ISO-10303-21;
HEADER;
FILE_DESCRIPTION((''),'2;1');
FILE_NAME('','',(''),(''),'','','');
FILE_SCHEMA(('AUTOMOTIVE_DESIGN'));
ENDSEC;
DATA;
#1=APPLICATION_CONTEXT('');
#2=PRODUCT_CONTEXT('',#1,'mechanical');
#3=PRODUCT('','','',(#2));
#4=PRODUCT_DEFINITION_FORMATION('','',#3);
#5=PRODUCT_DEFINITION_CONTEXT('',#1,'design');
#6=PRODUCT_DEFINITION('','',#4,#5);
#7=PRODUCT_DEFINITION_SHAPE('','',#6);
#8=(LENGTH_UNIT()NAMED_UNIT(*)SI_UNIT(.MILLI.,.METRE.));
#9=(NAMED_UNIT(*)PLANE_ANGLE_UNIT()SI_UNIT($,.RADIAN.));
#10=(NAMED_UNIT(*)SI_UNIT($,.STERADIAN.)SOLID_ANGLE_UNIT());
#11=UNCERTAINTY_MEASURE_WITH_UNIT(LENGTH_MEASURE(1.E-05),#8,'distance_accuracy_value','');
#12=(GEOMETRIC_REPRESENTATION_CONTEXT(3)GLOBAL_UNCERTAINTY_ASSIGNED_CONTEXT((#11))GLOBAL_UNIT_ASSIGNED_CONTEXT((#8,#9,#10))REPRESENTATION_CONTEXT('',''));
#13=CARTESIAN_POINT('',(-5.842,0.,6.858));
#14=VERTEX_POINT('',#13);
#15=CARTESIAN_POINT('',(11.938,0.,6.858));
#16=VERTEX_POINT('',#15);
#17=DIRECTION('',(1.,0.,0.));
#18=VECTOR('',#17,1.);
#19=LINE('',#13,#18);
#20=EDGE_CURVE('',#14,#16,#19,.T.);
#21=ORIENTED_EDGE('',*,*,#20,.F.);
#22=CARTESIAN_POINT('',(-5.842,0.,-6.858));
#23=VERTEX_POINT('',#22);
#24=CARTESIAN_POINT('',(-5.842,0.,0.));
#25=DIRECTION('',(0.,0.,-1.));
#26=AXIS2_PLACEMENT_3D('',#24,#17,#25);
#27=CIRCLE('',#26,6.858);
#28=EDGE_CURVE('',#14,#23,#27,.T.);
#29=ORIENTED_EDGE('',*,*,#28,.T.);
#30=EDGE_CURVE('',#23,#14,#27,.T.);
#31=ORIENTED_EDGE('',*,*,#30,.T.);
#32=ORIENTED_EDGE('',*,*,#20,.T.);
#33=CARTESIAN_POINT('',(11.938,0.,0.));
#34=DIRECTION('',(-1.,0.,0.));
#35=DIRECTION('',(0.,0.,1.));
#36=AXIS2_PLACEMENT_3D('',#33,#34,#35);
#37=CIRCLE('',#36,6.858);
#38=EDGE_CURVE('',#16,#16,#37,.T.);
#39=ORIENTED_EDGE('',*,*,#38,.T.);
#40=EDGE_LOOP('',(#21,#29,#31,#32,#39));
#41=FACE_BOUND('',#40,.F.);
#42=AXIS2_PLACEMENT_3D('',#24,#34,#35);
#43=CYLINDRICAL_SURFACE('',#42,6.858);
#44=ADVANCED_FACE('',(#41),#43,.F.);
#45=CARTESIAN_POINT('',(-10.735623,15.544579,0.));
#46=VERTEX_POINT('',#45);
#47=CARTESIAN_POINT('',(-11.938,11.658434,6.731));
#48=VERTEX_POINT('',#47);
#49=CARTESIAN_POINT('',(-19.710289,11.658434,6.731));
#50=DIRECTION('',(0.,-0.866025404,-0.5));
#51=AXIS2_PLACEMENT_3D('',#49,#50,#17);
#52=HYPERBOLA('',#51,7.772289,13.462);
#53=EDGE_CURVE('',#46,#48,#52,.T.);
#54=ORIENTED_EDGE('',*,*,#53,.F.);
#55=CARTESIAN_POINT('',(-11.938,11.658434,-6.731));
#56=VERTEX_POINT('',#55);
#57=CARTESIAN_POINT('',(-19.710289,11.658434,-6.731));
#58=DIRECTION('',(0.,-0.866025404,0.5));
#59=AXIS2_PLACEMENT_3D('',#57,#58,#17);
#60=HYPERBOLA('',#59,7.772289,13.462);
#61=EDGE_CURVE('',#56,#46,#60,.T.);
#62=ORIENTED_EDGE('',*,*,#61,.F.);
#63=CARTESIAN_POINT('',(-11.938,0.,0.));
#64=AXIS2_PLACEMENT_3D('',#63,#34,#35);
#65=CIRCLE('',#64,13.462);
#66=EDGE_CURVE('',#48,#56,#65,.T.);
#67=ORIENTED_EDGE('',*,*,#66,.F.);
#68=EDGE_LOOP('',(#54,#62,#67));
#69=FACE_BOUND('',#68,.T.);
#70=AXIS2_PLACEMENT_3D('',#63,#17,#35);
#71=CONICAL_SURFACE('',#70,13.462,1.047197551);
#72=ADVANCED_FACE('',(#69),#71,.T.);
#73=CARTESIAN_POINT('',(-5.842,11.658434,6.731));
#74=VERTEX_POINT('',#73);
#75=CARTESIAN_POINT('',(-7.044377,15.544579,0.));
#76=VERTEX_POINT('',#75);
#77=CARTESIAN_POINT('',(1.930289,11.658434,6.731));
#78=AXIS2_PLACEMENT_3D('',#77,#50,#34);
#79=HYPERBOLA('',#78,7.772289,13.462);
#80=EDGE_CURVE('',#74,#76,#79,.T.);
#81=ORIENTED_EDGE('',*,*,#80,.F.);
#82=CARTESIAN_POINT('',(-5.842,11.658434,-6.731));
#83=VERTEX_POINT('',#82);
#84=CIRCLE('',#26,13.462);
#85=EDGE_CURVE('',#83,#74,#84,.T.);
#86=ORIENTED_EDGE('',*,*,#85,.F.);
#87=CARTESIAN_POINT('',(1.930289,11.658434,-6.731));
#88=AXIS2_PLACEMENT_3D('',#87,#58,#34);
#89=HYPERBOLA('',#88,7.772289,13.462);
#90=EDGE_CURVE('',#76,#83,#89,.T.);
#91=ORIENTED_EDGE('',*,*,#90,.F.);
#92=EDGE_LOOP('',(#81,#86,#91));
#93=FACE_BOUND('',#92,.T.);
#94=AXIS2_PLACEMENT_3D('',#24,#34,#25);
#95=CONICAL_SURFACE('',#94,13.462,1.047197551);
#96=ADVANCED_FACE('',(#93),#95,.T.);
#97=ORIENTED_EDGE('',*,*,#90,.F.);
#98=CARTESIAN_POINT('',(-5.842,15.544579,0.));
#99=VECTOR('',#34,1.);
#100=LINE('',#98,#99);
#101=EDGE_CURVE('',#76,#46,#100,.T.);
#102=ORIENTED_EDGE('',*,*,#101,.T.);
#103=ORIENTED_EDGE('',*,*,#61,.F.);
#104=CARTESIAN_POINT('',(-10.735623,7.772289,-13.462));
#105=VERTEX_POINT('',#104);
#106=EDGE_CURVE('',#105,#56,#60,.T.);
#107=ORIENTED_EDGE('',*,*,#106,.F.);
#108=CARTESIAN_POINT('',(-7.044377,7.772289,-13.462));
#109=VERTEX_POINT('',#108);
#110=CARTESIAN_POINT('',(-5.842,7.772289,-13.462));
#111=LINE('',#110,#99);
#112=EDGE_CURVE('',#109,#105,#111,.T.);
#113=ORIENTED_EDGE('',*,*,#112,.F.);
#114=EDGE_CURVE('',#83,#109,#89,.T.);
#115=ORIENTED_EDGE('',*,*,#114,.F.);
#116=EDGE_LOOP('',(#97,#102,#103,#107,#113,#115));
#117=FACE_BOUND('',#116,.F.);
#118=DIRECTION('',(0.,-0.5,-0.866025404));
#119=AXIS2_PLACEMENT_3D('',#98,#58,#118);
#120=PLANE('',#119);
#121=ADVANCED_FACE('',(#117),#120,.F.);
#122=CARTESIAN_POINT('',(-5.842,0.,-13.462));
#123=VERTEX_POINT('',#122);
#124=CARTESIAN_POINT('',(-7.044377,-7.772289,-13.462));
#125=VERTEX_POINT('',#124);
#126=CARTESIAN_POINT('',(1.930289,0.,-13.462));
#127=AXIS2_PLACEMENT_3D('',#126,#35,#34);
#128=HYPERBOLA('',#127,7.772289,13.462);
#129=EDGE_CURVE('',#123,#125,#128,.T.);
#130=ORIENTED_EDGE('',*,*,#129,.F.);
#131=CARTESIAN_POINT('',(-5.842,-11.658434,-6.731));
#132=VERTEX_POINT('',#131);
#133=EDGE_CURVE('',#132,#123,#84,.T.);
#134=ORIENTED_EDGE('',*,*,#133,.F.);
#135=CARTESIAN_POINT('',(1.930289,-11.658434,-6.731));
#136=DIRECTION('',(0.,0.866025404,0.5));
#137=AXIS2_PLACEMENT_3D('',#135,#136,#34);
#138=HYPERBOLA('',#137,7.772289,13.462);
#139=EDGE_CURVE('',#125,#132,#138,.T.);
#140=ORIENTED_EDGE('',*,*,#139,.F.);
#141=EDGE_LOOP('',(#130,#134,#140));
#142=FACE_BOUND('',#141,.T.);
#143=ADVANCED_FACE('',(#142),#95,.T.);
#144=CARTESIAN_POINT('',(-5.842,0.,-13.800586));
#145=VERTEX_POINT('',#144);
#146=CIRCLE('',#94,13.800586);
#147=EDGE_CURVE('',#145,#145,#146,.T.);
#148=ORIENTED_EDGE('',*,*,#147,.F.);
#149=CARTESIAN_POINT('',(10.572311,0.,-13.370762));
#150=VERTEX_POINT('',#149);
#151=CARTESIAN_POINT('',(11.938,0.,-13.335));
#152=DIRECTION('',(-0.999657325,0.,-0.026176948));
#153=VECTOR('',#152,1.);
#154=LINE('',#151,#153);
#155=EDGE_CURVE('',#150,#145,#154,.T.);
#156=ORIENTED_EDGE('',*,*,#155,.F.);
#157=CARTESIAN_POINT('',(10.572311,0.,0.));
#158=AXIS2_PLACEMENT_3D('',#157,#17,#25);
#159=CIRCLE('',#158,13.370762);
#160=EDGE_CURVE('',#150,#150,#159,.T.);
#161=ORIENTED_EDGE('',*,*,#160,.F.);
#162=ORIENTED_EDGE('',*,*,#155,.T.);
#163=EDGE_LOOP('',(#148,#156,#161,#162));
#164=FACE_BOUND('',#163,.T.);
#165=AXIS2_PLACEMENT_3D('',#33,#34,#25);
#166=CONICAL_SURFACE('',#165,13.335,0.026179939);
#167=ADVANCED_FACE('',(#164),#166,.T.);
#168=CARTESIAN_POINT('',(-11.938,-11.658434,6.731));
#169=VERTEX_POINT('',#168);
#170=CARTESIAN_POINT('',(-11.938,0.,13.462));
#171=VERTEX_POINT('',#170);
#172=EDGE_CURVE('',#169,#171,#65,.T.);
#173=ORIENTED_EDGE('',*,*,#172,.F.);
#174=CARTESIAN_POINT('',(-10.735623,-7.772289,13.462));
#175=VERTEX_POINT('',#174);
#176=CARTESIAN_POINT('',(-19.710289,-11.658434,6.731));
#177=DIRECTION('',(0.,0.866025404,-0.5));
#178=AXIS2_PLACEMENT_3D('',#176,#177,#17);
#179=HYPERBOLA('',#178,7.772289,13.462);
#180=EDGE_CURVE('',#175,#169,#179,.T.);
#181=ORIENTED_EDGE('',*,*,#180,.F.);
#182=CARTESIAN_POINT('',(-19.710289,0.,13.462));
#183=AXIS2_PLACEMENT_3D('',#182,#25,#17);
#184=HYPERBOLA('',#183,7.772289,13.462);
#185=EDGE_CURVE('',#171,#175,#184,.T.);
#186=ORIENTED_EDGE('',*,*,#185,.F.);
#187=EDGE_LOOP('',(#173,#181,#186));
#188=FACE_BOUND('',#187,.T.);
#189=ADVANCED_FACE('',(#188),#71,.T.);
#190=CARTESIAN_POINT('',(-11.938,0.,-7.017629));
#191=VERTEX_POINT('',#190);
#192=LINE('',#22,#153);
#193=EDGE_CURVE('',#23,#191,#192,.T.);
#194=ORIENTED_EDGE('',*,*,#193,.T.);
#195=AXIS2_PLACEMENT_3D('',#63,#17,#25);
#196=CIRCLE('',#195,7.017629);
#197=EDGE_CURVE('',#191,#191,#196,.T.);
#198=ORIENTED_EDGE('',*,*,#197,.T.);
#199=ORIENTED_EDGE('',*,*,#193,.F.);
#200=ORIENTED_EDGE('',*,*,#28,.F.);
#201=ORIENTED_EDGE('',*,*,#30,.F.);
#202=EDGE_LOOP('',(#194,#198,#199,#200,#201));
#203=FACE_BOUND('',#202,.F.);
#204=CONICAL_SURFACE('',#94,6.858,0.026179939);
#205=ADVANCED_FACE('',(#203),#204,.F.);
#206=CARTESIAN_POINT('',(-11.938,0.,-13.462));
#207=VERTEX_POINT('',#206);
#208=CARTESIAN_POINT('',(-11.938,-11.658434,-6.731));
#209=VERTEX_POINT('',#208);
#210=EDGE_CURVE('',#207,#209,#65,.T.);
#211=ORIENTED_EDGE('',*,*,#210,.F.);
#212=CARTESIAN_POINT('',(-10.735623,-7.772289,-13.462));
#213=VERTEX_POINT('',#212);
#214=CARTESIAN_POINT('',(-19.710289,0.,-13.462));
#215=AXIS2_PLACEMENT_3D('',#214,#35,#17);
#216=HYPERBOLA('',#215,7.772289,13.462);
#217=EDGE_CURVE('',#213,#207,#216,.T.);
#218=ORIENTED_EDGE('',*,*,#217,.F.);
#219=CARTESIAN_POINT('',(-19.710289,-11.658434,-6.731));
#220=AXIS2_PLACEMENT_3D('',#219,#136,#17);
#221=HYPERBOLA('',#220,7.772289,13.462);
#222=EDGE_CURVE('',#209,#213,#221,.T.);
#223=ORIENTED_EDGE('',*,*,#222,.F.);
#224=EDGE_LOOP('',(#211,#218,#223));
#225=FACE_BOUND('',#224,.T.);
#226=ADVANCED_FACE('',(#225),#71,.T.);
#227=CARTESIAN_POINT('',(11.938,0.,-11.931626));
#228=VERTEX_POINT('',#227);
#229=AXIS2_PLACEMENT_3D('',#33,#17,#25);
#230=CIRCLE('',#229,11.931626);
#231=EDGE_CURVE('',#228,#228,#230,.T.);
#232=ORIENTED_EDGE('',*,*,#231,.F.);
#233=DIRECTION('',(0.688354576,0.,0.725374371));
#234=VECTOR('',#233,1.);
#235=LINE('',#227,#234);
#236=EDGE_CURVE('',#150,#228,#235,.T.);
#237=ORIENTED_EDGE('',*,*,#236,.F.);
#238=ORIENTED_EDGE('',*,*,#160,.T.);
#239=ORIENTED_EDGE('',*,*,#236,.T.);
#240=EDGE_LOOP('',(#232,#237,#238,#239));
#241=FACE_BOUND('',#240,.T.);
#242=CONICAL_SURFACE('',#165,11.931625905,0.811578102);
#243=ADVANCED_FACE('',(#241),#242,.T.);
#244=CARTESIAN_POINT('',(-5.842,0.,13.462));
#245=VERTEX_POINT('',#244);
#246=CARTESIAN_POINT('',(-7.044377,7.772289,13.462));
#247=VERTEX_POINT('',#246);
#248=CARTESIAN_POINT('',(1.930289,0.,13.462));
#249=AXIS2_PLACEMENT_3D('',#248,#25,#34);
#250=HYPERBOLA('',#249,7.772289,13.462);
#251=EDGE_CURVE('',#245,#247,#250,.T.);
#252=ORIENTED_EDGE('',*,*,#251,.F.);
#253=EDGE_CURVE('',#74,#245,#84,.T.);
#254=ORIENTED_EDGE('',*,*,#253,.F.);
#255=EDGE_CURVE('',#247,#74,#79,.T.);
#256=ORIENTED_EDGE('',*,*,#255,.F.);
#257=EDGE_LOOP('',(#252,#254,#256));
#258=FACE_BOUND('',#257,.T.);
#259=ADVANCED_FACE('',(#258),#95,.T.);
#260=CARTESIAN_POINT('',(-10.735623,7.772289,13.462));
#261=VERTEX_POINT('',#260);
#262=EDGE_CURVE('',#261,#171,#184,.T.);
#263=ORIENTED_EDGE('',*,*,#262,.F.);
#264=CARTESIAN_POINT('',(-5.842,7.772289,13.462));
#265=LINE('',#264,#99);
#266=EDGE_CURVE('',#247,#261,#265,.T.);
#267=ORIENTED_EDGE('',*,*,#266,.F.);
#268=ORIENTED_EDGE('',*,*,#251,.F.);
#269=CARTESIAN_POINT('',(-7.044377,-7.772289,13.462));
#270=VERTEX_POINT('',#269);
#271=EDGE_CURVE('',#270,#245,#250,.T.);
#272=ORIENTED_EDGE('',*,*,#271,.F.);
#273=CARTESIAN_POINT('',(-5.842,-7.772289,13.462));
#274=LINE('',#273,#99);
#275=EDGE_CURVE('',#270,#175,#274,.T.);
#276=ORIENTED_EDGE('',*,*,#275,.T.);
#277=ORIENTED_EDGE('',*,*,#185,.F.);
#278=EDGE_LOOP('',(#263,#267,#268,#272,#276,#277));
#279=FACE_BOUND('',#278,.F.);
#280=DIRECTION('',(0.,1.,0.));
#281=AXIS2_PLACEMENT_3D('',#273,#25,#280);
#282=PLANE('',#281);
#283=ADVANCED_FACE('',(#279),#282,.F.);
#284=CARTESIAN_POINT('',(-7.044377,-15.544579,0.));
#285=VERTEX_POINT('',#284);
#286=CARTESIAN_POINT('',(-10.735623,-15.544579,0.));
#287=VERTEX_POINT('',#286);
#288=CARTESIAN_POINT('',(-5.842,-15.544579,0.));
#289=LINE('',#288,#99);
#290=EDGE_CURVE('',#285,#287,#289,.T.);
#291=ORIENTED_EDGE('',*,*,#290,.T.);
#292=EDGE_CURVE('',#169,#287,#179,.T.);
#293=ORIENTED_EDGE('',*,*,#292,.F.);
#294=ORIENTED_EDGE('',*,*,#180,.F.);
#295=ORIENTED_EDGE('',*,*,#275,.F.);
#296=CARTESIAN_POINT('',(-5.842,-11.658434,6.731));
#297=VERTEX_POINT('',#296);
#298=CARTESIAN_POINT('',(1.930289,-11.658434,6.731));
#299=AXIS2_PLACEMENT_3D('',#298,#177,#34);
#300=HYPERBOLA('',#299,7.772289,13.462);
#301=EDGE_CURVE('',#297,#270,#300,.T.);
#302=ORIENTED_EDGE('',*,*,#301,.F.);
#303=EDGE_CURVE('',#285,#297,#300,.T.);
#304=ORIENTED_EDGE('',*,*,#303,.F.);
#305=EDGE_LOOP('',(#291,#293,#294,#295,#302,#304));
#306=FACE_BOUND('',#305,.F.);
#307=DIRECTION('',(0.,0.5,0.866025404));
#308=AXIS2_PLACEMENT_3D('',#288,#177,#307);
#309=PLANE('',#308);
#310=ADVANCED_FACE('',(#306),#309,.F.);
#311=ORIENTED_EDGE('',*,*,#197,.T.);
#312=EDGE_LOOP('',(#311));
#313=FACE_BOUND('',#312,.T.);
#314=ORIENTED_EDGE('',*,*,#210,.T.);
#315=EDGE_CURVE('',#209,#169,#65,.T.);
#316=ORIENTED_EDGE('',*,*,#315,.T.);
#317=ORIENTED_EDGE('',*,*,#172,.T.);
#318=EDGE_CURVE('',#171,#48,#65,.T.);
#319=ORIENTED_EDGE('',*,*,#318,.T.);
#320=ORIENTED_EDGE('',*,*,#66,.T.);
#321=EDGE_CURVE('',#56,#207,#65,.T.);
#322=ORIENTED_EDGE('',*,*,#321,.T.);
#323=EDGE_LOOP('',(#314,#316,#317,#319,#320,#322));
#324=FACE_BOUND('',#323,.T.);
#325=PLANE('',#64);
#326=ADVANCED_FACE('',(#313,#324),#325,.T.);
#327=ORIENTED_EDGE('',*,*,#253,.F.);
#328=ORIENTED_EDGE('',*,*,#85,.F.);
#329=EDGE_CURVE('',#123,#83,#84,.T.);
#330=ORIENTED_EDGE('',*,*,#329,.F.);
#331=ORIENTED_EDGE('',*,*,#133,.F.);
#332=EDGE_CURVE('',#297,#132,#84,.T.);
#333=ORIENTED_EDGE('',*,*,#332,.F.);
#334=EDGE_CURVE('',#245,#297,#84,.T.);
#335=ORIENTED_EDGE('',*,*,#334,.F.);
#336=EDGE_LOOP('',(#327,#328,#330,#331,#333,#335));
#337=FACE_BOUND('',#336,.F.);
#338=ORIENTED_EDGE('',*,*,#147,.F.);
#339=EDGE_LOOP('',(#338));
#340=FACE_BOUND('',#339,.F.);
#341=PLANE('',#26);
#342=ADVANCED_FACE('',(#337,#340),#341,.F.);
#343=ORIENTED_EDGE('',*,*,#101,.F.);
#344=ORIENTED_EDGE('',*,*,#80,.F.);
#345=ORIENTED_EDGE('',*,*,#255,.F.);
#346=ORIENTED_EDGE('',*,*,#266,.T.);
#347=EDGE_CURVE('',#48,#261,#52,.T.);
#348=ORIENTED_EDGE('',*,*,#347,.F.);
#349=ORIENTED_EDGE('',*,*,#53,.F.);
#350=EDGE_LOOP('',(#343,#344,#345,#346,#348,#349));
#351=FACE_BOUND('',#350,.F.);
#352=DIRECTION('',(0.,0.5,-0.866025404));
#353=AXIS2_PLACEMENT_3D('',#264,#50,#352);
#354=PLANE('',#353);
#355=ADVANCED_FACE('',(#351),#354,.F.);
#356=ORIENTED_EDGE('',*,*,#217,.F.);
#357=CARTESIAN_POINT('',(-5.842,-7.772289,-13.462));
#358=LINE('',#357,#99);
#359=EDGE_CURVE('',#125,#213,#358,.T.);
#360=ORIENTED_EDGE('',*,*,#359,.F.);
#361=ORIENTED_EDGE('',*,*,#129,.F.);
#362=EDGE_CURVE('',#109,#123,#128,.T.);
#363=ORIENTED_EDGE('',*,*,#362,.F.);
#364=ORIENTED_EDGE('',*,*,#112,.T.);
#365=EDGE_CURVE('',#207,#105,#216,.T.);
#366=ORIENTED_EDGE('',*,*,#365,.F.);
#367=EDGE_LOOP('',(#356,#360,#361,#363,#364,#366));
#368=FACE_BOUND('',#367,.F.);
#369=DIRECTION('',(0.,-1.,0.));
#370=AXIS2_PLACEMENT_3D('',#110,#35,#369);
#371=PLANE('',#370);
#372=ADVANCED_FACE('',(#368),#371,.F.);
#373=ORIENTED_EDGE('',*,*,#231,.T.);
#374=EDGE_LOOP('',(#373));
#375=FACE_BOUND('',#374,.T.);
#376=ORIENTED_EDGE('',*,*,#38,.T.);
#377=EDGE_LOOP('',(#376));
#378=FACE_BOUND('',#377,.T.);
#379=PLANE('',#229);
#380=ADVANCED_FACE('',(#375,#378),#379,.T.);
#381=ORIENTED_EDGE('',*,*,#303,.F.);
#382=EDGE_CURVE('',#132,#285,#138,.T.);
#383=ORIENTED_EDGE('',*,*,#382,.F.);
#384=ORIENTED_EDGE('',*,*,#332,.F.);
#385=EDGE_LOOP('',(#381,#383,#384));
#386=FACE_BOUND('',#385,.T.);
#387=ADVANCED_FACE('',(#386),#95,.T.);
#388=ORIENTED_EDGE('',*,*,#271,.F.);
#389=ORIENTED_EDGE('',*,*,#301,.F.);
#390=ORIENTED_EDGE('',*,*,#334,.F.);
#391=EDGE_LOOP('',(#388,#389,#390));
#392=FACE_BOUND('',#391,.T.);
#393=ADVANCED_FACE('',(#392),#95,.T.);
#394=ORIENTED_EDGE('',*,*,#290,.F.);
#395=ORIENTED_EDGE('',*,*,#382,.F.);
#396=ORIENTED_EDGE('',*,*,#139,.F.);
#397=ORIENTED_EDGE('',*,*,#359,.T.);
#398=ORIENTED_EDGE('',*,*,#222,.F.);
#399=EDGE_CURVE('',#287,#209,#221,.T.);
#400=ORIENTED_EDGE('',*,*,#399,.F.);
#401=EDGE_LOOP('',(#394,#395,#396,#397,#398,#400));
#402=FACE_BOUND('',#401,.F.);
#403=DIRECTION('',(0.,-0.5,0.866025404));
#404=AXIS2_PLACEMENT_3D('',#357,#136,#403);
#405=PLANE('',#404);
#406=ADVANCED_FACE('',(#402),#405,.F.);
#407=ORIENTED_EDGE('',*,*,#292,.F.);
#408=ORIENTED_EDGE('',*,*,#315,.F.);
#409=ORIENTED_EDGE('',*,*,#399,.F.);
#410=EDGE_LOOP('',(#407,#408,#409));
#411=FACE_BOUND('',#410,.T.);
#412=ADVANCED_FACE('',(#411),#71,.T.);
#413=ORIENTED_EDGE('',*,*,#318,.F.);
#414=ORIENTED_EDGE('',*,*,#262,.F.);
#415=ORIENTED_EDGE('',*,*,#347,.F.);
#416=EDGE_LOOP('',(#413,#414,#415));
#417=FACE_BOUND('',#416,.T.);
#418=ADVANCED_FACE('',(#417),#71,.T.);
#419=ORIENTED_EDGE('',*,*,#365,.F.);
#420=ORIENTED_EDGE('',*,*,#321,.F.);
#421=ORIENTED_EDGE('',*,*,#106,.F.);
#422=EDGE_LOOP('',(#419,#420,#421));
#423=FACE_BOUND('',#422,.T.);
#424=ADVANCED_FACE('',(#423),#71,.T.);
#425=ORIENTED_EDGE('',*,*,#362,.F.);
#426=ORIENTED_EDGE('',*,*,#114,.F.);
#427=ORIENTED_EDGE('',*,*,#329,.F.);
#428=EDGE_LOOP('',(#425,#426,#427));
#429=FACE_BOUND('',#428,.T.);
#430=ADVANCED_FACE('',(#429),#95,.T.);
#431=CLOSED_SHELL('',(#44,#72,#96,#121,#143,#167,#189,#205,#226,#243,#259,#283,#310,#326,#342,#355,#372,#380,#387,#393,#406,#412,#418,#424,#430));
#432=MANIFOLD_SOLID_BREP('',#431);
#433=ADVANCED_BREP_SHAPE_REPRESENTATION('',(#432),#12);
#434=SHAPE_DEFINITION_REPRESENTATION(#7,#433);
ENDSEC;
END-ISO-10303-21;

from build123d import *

# Parameters (mm, degrees)
SKETCH2_R          = 13.335
EXTRUDE1_DEPTH     = 17.78
EXTRUDE1_DRAFT     = 1.5
CHAMFER1_SIZE      = 1.366157143
CHAMFER1_SIZE2     = 1.403374095
EXTRUDE2_DEPTH     = 6.096
SKETCH6_R          = 6.858
CUT_EXTRUDE1_DEPTH = 28.353582774
CUT_EXTRUDE1_DRAFT = 1.5
SKETCH12_OUTSIDE_W = 152.316
SKETCH12_OUTSIDE_H = 155.804
SKETCH12_OUTSIDE_R = 13.462
CUT_EXTRUDE6_DEPTH = 32.656807587
CUT_EXTRUDE6_DRAFT = -60
SKETCH13_OUTSIDE_W = 137.41
SKETCH13_OUTSIDE_H = 140.898
SKETCH13_OUTSIDE_R = 13.462
CUT_EXTRUDE7_DEPTH = 28.353582774
CUT_EXTRUDE7_DRAFT = -60
SKETCH15_R         = 6.858
CUT_EXTRUDE8_DEPTH = 28.353582774


with BuildPart() as part:
    # Sketch2 → Extrude1 (with draft: the straight prism first)
    with BuildSketch(Plane(origin=(11.938, 0, 0), x_dir=(0, 0, -1), z_dir=(1, 0, 0))):
        Circle(SKETCH2_R)
    extrude(amount=-EXTRUDE1_DEPTH)
    # Extrude1: the draft: its side faces are tilted about the plane it starts from
    extrude1_sides = [part.faces().sort_by_distance(p)[0] for p in [
        (3.048, 0, 13.335),
    ]]
    draft(extrude1_sides, Plane(origin=(11.938, 0, 0), x_dir=(0, 0, -1), z_dir=(1, 0, 0)), EXTRUDE1_DRAFT)

    # Chamfer1
    chamfer1_edges = [part.edges().sort_by_distance(p)[0] for p in [
        (11.938, 0, 13.335),
    ]]
    chamfer1_side = [part.faces().sort_by_distance(p)[0] for p in [
        (3.048, 0, 13.567792843),
    ]]
    chamfer(chamfer1_edges, length=CHAMFER1_SIZE, length2=CHAMFER1_SIZE2, reference=chamfer1_side[0])

    # Sketch5 → Extrude2 (add)
    with BuildSketch(Plane.ZY.offset(5.842)):
        Polygon((0, 15.544578648), (-13.462, 7.772289324), (-13.462, -7.772289324), (0, -15.544578648), (13.462, -7.772289324), (13.462, 7.772289324), align=None)
    extrude(amount=EXTRUDE2_DEPTH)


with BuildPart() as cut_extrude1_tool:
    # Sketch6 → Cut-Extrude1 (with draft: the straight prism first)
    with BuildSketch(Plane(origin=(-5.842, 0, 0), x_dir=(0, 0, -1), z_dir=(1, 0, 0))):
        Circle(SKETCH6_R)
    extrude(amount=-CUT_EXTRUDE1_DEPTH)
    # Cut-Extrude1: the draft: its side faces are tilted about the plane it starts from
    cut_extrude1_sides = [cut_extrude1_tool.faces().sort_by_distance(p)[0] for p in [
        (-20.018791387, 0, 6.858),
    ]]
    draft(cut_extrude1_sides, Plane(origin=(-5.842, 0, 0), x_dir=(0, 0, -1), z_dir=(1, 0, 0)), CUT_EXTRUDE1_DRAFT)


with BuildPart() as part_1:
    add(part.part)

    # Cut-Extrude1: cut by cut_extrude1_tool
    add(cut_extrude1_tool.part, mode=Mode.SUBTRACT)

    # Cut-Extrude4 cone 1 section (through the dimple's axis) → Cut-Extrude4 (revolve, cut)
    with BuildSketch(Plane(origin=(-11.938, 0, 0), x_dir=(0, 0, 1), z_dir=(0, 1, 0))):
        Polygon((0, 0), (7.017629378, 0), (0, 7.017629378), align=None)
    revolve(axis=Axis((-11.938, 0, 0), (1, 0, 0)), mode=Mode.SUBTRACT)


with BuildPart() as cut_extrude6_tool:
    # Sketch12 outside → Cut-Extrude6 (with draft: the straight prism first)
    with BuildSketch(Plane.ZY.offset(11.938)):
        Rectangle(SKETCH12_OUTSIDE_W, SKETCH12_OUTSIDE_H)
        Circle(SKETCH12_OUTSIDE_R, mode=Mode.SUBTRACT)
    extrude(amount=-CUT_EXTRUDE6_DEPTH)
    # Cut-Extrude6: the draft: its side faces are tilted about the plane it starts from
    cut_extrude6_sides = [cut_extrude6_tool.faces().sort_by_distance(p)[0] for p in [
        (4.390403793, -77.902, 0),
        (4.390403793, 0, 76.158),
        (4.390403793, 77.902, 0),
        (4.390403793, 0, -76.158),
        (4.390403793, 0, -13.462),
    ]]
    draft(cut_extrude6_sides, Plane.ZY.offset(11.938), CUT_EXTRUDE6_DRAFT)


with BuildPart() as part_2:
    add(part_1.part)

    # Cut-Extrude6: cut by cut_extrude6_tool
    add(cut_extrude6_tool.part, mode=Mode.SUBTRACT)


with BuildPart() as cut_extrude7_tool:
    # Sketch13 outside → Cut-Extrude7 (with draft: the straight prism first)
    with BuildSketch(Plane(origin=(-5.842, 0, 0), x_dir=(0, 0, -1), z_dir=(1, 0, 0))):
        Rectangle(SKETCH13_OUTSIDE_W, SKETCH13_OUTSIDE_H)
        Circle(SKETCH13_OUTSIDE_R, mode=Mode.SUBTRACT)
    extrude(amount=-CUT_EXTRUDE7_DEPTH)
    # Cut-Extrude7: the draft: its side faces are tilted about the plane it starts from
    cut_extrude7_sides = [cut_extrude7_tool.faces().sort_by_distance(p)[0] for p in [
        (-20.018791387, -70.449, 0),
        (-20.018791387, 0, -68.705),
        (-20.018791387, 70.449, 0),
        (-20.018791387, 0, 68.705),
        (-20.018791387, 0, 13.462),
    ]]
    draft(cut_extrude7_sides, Plane(origin=(-5.842, 0, 0), x_dir=(0, 0, -1), z_dir=(1, 0, 0)), CUT_EXTRUDE7_DRAFT)


with BuildPart() as part_3:
    add(part_2.part)

    # Cut-Extrude7: cut by cut_extrude7_tool
    add(cut_extrude7_tool.part, mode=Mode.SUBTRACT)

    # Sketch15 → Cut-Extrude8 (cut, through all)
    with BuildSketch(Plane.ZY.offset(5.842)):
        Circle(SKETCH15_R)
    extrude(amount=-CUT_EXTRUDE8_DEPTH, mode=Mode.SUBTRACT)


solid = part_3.part
